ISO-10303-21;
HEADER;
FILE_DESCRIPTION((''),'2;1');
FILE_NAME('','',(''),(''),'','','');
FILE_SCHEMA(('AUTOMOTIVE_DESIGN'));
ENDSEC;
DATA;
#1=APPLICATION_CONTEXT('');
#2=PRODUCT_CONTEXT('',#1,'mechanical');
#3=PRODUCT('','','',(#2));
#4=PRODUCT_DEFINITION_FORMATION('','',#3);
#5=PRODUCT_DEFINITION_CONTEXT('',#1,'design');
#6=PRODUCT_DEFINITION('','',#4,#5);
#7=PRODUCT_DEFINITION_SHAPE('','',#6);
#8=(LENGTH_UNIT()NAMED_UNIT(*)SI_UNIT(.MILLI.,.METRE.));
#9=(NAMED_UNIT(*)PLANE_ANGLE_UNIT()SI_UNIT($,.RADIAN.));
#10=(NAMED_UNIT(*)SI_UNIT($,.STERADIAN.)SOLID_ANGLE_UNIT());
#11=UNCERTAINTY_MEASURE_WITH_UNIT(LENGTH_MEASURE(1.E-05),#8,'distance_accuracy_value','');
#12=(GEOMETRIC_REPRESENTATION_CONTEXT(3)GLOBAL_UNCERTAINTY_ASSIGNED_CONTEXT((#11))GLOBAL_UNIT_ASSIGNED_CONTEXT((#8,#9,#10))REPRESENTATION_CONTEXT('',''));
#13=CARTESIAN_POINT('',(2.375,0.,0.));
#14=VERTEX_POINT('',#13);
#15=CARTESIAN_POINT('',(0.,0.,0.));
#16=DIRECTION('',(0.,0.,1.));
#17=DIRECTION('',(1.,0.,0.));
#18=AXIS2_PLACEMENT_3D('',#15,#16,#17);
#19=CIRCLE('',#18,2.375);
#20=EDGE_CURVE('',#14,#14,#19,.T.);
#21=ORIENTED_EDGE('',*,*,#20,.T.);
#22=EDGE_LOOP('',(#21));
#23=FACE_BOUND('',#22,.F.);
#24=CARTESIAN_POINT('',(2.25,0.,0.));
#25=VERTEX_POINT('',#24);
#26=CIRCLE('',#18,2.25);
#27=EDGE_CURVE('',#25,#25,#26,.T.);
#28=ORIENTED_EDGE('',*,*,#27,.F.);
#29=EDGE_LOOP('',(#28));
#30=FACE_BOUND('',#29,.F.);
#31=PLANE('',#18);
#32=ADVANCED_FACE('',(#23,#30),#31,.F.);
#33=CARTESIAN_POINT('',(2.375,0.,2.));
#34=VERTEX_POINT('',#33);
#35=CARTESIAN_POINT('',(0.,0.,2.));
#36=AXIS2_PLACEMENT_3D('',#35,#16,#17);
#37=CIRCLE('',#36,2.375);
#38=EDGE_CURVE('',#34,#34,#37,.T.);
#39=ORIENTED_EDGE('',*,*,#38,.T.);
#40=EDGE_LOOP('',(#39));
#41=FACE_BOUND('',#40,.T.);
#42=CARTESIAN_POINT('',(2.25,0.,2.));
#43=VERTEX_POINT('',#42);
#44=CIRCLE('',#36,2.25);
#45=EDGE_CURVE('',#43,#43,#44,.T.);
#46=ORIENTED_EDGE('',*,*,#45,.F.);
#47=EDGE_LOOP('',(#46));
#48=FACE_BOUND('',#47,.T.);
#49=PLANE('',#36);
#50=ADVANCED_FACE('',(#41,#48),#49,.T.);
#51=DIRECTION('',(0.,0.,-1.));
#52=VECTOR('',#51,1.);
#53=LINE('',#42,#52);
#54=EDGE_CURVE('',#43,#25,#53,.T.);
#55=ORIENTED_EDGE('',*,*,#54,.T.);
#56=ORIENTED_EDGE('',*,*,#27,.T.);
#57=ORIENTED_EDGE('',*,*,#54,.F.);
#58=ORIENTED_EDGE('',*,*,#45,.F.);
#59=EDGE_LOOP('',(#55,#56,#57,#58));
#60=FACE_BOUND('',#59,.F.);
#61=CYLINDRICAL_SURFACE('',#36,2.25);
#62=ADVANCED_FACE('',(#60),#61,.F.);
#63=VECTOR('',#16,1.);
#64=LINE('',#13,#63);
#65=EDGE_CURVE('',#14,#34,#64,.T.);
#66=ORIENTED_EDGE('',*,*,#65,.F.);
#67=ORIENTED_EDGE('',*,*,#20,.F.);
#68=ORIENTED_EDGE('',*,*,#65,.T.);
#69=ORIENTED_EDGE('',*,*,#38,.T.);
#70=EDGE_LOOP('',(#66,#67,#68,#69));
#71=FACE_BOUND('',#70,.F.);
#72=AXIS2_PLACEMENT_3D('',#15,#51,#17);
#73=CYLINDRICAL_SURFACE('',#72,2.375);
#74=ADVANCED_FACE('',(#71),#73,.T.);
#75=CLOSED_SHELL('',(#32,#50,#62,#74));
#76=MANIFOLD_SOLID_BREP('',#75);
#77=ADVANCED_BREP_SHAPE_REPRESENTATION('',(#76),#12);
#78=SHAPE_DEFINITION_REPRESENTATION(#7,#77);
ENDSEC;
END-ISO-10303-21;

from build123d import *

# Parameters (mm, degrees)
F0_R     = 4.75
F1_DEPTH = 4
F2_SCALE = 0.5
F3_R     = 2.25
F4_DEPTH = 25


with BuildPart() as f1:
    # F0 (on Top) → F1 (new body)
    with BuildSketch(Plane.XY):
        Circle(F0_R)
    extrude(amount=F1_DEPTH)


with BuildPart() as f1_1:
    # F2: moved
    add(f1.part.scale(F2_SCALE))

    # F3 (on face) → F4 (cut)
    with BuildSketch(Plane.XY.offset(2)):
        Circle(F3_R)
    extrude(amount=-F4_DEPTH, mode=Mode.SUBTRACT)


solid = f1_1.part
